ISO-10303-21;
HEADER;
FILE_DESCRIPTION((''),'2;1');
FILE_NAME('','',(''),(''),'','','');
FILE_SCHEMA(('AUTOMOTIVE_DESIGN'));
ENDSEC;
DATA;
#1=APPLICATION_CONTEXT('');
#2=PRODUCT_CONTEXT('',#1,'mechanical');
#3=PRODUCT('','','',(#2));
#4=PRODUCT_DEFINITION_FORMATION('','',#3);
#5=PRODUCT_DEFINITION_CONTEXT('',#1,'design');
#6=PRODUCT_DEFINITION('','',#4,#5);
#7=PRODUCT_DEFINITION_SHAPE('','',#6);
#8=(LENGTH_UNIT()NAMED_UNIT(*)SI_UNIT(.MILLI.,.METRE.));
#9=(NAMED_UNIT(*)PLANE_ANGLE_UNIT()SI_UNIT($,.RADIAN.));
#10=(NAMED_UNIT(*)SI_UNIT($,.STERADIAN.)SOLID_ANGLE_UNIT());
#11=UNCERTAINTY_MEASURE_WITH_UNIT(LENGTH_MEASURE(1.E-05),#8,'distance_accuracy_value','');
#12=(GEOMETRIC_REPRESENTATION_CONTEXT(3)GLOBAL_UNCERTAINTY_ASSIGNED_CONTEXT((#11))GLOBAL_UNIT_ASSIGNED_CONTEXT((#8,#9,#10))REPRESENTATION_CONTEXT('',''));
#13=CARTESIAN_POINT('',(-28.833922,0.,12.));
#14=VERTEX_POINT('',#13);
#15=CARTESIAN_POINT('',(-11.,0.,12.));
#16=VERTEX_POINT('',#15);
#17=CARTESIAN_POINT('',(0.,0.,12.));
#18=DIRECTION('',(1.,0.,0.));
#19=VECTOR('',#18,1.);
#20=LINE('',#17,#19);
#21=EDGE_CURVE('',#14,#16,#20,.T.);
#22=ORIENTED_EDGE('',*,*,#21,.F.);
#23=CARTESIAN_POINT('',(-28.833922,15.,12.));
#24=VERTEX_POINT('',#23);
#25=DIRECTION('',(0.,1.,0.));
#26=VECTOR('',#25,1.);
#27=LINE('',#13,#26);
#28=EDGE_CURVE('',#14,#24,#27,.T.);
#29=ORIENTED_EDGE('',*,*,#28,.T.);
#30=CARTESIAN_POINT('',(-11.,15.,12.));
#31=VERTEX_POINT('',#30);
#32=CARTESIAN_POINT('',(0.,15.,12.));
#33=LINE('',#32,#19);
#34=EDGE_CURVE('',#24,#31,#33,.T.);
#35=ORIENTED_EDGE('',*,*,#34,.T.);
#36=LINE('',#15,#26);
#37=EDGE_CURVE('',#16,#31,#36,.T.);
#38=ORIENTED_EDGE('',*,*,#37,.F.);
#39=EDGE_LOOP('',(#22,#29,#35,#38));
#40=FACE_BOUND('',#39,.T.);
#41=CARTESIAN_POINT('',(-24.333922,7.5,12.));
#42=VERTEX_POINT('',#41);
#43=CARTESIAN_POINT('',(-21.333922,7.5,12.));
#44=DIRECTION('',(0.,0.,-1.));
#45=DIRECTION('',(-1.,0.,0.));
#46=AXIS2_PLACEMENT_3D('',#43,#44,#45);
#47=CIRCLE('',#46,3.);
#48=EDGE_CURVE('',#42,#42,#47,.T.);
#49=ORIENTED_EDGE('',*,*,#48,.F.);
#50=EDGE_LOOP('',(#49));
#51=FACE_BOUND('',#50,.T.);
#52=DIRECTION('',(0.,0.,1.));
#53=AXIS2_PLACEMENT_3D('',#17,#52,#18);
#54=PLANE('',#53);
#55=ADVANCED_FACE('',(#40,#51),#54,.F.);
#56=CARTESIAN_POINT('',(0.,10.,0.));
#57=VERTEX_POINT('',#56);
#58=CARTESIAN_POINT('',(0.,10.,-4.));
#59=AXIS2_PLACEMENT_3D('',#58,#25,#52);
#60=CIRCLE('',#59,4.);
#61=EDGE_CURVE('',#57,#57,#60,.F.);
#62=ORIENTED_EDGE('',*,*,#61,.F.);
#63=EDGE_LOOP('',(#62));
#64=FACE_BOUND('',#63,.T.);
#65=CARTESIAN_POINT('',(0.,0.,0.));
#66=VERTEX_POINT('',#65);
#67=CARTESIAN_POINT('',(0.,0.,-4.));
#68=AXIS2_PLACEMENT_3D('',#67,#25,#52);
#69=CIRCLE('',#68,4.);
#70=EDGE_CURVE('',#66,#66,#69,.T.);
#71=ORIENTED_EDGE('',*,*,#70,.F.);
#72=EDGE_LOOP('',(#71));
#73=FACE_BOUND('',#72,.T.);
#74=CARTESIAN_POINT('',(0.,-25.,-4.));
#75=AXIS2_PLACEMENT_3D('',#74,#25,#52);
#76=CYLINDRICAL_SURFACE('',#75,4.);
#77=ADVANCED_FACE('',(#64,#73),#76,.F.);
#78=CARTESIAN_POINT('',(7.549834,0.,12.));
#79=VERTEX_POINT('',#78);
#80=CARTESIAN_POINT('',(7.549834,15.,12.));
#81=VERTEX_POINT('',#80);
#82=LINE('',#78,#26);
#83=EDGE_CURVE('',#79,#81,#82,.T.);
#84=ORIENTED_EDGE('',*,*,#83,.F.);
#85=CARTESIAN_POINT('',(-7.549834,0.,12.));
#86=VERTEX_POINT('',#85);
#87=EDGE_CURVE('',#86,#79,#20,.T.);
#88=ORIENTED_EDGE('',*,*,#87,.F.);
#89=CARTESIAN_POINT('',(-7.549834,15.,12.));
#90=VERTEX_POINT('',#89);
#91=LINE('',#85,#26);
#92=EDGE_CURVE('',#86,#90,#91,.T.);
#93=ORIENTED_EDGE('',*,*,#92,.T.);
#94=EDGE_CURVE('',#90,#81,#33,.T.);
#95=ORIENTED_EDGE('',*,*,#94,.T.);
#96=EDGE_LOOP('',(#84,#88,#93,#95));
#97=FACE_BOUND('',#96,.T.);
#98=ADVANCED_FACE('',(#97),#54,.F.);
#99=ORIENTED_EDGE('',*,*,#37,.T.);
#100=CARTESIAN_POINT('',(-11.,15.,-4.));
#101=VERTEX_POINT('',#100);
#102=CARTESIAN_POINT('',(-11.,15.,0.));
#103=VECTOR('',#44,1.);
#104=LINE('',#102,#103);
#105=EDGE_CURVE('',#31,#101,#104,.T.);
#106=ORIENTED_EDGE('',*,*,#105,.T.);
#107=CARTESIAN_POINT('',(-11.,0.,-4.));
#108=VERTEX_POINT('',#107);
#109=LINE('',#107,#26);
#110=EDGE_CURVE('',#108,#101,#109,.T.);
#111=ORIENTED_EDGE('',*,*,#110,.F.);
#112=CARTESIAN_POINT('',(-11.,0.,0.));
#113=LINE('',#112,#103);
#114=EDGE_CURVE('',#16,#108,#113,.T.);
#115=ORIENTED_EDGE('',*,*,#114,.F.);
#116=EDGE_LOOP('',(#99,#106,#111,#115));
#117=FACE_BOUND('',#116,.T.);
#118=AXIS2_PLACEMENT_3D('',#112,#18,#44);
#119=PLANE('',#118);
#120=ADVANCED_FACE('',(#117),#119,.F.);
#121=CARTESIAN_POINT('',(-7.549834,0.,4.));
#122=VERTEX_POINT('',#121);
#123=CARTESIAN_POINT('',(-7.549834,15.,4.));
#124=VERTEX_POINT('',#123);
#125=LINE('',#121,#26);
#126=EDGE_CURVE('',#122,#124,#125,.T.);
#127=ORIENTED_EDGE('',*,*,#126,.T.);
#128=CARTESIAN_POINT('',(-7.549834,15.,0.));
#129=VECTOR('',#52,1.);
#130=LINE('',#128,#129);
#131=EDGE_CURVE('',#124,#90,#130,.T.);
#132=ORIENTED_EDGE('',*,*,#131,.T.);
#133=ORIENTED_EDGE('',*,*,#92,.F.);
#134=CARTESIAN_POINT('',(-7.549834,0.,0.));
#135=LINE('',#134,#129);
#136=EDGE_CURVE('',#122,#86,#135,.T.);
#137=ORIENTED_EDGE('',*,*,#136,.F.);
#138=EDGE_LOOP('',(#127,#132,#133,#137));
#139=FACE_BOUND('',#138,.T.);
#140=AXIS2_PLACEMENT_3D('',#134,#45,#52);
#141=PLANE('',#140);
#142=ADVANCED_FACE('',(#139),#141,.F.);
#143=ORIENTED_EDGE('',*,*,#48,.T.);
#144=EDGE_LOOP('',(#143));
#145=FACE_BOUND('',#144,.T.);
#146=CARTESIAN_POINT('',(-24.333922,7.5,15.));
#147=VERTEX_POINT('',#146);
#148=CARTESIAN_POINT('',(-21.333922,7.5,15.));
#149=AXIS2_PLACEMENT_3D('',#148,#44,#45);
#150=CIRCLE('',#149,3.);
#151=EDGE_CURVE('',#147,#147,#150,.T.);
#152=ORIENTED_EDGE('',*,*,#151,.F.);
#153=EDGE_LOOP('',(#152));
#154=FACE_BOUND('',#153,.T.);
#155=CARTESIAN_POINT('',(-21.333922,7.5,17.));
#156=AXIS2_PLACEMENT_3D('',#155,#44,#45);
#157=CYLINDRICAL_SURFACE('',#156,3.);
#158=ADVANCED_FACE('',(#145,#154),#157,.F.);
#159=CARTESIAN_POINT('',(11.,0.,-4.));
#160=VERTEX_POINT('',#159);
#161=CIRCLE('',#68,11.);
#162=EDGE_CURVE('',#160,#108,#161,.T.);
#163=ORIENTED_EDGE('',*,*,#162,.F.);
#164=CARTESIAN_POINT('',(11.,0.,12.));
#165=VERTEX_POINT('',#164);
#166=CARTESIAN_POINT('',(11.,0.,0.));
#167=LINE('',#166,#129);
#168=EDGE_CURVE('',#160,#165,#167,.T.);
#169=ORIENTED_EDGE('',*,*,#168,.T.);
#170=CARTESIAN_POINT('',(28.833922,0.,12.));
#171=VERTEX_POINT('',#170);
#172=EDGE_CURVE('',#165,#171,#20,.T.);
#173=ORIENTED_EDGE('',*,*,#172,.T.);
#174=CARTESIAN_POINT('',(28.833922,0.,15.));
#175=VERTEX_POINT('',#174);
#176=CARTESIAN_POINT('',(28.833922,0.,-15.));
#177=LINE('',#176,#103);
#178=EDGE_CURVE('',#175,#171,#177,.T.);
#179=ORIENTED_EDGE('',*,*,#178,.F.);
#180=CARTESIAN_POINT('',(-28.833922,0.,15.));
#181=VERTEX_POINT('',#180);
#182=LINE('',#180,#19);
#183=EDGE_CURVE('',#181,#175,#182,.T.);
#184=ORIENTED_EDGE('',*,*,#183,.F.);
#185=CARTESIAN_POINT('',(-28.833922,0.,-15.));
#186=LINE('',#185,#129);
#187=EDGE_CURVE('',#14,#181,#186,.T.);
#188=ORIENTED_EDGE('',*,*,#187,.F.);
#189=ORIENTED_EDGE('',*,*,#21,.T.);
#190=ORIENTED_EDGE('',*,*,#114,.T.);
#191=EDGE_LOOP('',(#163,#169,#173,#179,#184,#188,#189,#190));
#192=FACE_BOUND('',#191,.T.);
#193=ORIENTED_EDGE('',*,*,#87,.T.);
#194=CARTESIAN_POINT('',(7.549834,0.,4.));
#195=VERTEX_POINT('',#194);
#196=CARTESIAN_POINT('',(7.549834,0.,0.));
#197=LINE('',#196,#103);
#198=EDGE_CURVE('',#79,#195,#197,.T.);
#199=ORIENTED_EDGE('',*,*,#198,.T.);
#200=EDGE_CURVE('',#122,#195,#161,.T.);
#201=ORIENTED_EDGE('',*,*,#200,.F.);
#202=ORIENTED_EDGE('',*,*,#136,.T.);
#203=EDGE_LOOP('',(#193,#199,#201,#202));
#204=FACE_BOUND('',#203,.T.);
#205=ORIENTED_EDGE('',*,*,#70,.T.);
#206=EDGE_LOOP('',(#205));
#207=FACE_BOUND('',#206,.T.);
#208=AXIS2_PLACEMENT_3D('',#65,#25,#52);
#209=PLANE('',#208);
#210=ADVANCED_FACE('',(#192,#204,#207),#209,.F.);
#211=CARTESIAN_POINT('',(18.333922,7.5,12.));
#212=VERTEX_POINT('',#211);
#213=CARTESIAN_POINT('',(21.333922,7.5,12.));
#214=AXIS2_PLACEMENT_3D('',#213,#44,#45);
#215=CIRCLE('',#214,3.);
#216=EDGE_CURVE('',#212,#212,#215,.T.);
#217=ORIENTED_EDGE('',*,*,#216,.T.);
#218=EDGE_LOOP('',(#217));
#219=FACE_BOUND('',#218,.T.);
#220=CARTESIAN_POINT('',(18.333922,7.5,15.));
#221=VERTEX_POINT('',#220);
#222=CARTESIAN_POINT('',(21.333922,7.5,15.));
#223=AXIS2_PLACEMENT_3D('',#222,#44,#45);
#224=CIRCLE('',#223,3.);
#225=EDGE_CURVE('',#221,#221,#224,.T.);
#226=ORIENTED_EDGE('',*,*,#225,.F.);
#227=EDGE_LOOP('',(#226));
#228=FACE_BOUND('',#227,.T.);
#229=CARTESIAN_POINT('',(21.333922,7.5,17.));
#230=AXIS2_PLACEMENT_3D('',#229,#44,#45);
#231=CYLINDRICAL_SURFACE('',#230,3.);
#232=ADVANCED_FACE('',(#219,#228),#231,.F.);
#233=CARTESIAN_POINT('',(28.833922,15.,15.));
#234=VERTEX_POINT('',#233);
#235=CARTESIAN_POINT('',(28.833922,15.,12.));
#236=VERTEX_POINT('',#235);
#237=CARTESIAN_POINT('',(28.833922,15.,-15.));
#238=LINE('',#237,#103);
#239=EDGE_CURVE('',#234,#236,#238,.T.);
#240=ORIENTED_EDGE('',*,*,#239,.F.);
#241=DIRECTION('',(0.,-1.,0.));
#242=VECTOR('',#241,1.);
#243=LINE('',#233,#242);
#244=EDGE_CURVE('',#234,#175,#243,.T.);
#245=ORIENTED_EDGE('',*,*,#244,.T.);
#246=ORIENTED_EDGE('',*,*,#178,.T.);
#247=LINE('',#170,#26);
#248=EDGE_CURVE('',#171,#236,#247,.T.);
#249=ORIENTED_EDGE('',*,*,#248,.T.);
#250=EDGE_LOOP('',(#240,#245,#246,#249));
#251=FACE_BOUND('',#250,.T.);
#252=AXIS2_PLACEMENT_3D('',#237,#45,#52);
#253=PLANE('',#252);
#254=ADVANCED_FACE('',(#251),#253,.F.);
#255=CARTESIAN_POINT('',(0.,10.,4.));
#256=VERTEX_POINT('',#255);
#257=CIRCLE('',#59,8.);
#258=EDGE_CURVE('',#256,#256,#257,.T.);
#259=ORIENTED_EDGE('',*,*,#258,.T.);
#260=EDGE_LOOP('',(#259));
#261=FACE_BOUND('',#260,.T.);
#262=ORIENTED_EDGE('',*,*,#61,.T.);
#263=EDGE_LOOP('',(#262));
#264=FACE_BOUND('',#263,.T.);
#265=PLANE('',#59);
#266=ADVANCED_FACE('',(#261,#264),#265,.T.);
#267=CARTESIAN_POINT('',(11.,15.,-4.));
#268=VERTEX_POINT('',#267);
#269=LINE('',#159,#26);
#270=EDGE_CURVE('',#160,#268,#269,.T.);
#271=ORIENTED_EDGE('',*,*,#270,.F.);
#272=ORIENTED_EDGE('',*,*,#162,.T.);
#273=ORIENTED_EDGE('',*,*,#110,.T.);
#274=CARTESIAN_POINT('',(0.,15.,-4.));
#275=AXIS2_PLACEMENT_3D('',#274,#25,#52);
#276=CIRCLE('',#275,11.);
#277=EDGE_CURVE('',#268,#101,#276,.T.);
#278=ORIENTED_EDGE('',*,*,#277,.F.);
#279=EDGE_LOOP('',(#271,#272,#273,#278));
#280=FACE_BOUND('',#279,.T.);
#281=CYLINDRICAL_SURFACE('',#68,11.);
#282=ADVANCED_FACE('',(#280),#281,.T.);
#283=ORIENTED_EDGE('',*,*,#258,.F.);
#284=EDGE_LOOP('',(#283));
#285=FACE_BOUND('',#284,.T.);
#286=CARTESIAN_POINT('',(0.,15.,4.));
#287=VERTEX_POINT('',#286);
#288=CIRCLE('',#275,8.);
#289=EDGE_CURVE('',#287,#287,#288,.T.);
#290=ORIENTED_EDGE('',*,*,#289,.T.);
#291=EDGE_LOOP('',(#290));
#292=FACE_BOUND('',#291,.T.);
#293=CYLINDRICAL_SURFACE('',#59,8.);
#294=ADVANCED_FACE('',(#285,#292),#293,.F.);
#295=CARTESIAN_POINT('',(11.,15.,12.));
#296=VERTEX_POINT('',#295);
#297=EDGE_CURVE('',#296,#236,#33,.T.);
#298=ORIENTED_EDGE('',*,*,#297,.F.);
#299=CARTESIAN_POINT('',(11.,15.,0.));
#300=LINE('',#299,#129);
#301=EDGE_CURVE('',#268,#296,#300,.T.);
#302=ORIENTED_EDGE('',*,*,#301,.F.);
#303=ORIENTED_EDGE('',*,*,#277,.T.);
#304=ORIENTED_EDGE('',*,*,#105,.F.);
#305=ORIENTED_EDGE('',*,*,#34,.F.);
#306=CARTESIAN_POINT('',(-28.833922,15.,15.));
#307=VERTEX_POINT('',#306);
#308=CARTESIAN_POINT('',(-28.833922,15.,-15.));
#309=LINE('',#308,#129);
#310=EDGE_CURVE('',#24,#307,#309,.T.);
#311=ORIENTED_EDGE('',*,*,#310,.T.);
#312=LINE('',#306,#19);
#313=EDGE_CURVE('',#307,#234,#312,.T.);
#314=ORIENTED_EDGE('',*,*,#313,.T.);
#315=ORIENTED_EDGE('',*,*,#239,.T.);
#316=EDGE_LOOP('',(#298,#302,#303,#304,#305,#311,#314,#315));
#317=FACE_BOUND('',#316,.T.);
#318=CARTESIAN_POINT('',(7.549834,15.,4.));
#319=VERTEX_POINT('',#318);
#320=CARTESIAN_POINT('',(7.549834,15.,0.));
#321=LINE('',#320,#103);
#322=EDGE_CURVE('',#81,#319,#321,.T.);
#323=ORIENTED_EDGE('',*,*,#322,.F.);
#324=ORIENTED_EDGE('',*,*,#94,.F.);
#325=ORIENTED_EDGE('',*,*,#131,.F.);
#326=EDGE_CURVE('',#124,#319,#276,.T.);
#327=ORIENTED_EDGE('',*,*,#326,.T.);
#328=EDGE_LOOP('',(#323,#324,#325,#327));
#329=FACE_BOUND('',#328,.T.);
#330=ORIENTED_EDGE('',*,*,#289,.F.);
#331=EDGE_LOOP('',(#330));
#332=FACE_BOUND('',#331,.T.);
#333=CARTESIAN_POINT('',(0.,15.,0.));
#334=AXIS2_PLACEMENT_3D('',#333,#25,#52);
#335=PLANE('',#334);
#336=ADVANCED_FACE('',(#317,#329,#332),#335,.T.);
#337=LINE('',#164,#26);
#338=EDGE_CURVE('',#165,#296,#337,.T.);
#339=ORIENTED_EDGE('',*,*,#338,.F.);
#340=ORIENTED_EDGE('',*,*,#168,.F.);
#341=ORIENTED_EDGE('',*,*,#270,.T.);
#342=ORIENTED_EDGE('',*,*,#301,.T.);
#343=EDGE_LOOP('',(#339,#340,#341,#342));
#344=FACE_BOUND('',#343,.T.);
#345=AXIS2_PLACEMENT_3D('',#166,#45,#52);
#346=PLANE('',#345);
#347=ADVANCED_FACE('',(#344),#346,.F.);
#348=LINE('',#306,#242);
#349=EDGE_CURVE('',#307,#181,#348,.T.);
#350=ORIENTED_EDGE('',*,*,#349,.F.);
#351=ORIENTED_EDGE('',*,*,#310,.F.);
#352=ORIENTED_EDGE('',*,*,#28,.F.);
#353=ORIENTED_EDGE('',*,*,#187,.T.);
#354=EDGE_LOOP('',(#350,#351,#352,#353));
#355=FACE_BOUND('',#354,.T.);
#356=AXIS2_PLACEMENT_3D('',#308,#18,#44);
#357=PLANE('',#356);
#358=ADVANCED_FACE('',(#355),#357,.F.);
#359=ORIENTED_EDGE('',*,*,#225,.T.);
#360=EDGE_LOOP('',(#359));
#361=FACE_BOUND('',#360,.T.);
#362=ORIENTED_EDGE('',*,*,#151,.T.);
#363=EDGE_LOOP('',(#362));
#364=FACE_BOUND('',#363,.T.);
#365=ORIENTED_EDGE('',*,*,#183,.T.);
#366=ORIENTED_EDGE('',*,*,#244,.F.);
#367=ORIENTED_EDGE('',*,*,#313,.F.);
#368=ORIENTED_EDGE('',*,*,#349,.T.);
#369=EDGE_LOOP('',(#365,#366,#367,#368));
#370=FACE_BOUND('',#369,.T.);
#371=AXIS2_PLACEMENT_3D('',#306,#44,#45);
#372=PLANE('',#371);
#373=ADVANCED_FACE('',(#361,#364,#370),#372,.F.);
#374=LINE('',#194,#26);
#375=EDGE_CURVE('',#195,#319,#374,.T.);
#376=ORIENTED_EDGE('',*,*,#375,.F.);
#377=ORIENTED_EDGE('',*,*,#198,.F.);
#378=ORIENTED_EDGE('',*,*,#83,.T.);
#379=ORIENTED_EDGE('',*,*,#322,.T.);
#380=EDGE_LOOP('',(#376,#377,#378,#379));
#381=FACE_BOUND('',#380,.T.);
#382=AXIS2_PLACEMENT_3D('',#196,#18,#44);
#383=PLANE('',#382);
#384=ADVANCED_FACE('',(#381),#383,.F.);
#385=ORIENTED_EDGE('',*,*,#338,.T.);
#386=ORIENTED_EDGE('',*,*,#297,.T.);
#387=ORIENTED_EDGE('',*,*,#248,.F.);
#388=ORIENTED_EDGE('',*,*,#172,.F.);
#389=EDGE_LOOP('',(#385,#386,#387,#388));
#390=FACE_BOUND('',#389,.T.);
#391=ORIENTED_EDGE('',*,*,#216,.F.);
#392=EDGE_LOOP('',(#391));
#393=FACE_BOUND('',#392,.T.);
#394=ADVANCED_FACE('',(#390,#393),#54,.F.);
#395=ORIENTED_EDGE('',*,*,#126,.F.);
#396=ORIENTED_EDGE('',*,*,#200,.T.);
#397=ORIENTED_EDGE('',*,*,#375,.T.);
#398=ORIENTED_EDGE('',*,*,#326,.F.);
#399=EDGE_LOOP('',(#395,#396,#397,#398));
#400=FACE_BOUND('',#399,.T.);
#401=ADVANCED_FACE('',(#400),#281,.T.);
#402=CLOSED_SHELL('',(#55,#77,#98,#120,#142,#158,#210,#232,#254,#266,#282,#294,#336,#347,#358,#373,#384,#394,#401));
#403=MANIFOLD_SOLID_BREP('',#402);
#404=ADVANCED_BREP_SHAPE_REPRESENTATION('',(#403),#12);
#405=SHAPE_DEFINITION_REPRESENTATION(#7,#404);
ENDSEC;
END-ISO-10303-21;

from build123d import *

# Parameters (mm, degrees)
SKETCH1_W           = 57.667844522
SKETCH1_H           = 30
BOSS_EXTRUDE1_DEPTH = 15
SKETCH2_R           = 4
CUT_EXTRUDE2_DEPTH  = 40
SKETCH3_R           = 8
CUT_EXTRUDE3_DEPTH  = 5
CUT_EXTRUDE5_DEPTH  = 16
SKETCH5_R           = 3
CUT_EXTRUDE6_DEPTH  = 5


with BuildPart() as part:
    # Sketch1 → Boss-Extrude1 (new body)
    with BuildSketch(Plane(origin=(0, 0, 0), x_dir=(1, 0, 0), z_dir=(0, 1, 0))):
        Rectangle(SKETCH1_W, SKETCH1_H)
    extrude(amount=BOSS_EXTRUDE1_DEPTH)

    # Sketch2 → Cut-Extrude2 (cut)
    with BuildSketch(Plane(origin=(0, 15, 0), x_dir=(1, 0, 0), z_dir=(0, 1, 0))):
        with Locations((0, 4)):
            Circle(SKETCH2_R)
    extrude(amount=-CUT_EXTRUDE2_DEPTH, mode=Mode.SUBTRACT)

    # Sketch3 → Cut-Extrude3 (cut)
    with BuildSketch(Plane(origin=(0, 15, 0), x_dir=(1, 0, 0), z_dir=(0, 1, 0))):
        with Locations((0, 4)):
            Circle(SKETCH3_R)
    extrude(amount=-CUT_EXTRUDE3_DEPTH, mode=Mode.SUBTRACT)

    # Sketch4 → Cut-Extrude5 (cut, through all)
    with BuildSketch(Plane(origin=(0, 15, 0), x_dir=(1, 0, 0), z_dir=(0, 1, 0))):
        with BuildLine():
            ThreePointArc((-11, 4), (-7.778174609, 11.778174577), (-4.5e-08, 15))
            Line((-4.5e-08, 15), (-28.833922261, 15))
            Line((-28.833922261, 15), (-28.833922261, -12))
            Line((-28.833922261, -12), (-11, -12))
            Line((-11, -12), (-11, 4))
        make_face()
        with BuildLine():
            ThreePointArc((-4.5e-08, 15), (7.778174577, 11.778174609), (11, 4))
            Line((11, 4), (11, -12))
            Line((11, -12), (28.833922261, -12))
            Line((28.833922261, -12), (28.833922261, 15))
            Line((28.833922261, 15), (-4.5e-08, 15))
        make_face()
        with BuildLine():
            Line((7.549834435, -12), (7.549834435, -4))
            ThreePointArc((7.549834435, -4), (0, -7), (-7.549834435, -4))
            Line((-7.549834435, -4), (-7.549834435, -12))
            Line((-7.549834435, -12), (7.549834435, -12))
        make_face()
    extrude(amount=-CUT_EXTRUDE5_DEPTH, mode=Mode.SUBTRACT)

    # Sketch5 → Cut-Extrude6 (cut)
    with BuildSketch(Plane(origin=(0, 0, 12), x_dir=(-1, 0, 0), z_dir=(0, 0, -1))):
        with Locations((21.333922261, 7.5)):
            Circle(SKETCH5_R)
        with Locations((-21.333922261, 7.5)):
            Circle(SKETCH5_R)
    extrude(amount=-CUT_EXTRUDE6_DEPTH, mode=Mode.SUBTRACT)


solid = part.part
